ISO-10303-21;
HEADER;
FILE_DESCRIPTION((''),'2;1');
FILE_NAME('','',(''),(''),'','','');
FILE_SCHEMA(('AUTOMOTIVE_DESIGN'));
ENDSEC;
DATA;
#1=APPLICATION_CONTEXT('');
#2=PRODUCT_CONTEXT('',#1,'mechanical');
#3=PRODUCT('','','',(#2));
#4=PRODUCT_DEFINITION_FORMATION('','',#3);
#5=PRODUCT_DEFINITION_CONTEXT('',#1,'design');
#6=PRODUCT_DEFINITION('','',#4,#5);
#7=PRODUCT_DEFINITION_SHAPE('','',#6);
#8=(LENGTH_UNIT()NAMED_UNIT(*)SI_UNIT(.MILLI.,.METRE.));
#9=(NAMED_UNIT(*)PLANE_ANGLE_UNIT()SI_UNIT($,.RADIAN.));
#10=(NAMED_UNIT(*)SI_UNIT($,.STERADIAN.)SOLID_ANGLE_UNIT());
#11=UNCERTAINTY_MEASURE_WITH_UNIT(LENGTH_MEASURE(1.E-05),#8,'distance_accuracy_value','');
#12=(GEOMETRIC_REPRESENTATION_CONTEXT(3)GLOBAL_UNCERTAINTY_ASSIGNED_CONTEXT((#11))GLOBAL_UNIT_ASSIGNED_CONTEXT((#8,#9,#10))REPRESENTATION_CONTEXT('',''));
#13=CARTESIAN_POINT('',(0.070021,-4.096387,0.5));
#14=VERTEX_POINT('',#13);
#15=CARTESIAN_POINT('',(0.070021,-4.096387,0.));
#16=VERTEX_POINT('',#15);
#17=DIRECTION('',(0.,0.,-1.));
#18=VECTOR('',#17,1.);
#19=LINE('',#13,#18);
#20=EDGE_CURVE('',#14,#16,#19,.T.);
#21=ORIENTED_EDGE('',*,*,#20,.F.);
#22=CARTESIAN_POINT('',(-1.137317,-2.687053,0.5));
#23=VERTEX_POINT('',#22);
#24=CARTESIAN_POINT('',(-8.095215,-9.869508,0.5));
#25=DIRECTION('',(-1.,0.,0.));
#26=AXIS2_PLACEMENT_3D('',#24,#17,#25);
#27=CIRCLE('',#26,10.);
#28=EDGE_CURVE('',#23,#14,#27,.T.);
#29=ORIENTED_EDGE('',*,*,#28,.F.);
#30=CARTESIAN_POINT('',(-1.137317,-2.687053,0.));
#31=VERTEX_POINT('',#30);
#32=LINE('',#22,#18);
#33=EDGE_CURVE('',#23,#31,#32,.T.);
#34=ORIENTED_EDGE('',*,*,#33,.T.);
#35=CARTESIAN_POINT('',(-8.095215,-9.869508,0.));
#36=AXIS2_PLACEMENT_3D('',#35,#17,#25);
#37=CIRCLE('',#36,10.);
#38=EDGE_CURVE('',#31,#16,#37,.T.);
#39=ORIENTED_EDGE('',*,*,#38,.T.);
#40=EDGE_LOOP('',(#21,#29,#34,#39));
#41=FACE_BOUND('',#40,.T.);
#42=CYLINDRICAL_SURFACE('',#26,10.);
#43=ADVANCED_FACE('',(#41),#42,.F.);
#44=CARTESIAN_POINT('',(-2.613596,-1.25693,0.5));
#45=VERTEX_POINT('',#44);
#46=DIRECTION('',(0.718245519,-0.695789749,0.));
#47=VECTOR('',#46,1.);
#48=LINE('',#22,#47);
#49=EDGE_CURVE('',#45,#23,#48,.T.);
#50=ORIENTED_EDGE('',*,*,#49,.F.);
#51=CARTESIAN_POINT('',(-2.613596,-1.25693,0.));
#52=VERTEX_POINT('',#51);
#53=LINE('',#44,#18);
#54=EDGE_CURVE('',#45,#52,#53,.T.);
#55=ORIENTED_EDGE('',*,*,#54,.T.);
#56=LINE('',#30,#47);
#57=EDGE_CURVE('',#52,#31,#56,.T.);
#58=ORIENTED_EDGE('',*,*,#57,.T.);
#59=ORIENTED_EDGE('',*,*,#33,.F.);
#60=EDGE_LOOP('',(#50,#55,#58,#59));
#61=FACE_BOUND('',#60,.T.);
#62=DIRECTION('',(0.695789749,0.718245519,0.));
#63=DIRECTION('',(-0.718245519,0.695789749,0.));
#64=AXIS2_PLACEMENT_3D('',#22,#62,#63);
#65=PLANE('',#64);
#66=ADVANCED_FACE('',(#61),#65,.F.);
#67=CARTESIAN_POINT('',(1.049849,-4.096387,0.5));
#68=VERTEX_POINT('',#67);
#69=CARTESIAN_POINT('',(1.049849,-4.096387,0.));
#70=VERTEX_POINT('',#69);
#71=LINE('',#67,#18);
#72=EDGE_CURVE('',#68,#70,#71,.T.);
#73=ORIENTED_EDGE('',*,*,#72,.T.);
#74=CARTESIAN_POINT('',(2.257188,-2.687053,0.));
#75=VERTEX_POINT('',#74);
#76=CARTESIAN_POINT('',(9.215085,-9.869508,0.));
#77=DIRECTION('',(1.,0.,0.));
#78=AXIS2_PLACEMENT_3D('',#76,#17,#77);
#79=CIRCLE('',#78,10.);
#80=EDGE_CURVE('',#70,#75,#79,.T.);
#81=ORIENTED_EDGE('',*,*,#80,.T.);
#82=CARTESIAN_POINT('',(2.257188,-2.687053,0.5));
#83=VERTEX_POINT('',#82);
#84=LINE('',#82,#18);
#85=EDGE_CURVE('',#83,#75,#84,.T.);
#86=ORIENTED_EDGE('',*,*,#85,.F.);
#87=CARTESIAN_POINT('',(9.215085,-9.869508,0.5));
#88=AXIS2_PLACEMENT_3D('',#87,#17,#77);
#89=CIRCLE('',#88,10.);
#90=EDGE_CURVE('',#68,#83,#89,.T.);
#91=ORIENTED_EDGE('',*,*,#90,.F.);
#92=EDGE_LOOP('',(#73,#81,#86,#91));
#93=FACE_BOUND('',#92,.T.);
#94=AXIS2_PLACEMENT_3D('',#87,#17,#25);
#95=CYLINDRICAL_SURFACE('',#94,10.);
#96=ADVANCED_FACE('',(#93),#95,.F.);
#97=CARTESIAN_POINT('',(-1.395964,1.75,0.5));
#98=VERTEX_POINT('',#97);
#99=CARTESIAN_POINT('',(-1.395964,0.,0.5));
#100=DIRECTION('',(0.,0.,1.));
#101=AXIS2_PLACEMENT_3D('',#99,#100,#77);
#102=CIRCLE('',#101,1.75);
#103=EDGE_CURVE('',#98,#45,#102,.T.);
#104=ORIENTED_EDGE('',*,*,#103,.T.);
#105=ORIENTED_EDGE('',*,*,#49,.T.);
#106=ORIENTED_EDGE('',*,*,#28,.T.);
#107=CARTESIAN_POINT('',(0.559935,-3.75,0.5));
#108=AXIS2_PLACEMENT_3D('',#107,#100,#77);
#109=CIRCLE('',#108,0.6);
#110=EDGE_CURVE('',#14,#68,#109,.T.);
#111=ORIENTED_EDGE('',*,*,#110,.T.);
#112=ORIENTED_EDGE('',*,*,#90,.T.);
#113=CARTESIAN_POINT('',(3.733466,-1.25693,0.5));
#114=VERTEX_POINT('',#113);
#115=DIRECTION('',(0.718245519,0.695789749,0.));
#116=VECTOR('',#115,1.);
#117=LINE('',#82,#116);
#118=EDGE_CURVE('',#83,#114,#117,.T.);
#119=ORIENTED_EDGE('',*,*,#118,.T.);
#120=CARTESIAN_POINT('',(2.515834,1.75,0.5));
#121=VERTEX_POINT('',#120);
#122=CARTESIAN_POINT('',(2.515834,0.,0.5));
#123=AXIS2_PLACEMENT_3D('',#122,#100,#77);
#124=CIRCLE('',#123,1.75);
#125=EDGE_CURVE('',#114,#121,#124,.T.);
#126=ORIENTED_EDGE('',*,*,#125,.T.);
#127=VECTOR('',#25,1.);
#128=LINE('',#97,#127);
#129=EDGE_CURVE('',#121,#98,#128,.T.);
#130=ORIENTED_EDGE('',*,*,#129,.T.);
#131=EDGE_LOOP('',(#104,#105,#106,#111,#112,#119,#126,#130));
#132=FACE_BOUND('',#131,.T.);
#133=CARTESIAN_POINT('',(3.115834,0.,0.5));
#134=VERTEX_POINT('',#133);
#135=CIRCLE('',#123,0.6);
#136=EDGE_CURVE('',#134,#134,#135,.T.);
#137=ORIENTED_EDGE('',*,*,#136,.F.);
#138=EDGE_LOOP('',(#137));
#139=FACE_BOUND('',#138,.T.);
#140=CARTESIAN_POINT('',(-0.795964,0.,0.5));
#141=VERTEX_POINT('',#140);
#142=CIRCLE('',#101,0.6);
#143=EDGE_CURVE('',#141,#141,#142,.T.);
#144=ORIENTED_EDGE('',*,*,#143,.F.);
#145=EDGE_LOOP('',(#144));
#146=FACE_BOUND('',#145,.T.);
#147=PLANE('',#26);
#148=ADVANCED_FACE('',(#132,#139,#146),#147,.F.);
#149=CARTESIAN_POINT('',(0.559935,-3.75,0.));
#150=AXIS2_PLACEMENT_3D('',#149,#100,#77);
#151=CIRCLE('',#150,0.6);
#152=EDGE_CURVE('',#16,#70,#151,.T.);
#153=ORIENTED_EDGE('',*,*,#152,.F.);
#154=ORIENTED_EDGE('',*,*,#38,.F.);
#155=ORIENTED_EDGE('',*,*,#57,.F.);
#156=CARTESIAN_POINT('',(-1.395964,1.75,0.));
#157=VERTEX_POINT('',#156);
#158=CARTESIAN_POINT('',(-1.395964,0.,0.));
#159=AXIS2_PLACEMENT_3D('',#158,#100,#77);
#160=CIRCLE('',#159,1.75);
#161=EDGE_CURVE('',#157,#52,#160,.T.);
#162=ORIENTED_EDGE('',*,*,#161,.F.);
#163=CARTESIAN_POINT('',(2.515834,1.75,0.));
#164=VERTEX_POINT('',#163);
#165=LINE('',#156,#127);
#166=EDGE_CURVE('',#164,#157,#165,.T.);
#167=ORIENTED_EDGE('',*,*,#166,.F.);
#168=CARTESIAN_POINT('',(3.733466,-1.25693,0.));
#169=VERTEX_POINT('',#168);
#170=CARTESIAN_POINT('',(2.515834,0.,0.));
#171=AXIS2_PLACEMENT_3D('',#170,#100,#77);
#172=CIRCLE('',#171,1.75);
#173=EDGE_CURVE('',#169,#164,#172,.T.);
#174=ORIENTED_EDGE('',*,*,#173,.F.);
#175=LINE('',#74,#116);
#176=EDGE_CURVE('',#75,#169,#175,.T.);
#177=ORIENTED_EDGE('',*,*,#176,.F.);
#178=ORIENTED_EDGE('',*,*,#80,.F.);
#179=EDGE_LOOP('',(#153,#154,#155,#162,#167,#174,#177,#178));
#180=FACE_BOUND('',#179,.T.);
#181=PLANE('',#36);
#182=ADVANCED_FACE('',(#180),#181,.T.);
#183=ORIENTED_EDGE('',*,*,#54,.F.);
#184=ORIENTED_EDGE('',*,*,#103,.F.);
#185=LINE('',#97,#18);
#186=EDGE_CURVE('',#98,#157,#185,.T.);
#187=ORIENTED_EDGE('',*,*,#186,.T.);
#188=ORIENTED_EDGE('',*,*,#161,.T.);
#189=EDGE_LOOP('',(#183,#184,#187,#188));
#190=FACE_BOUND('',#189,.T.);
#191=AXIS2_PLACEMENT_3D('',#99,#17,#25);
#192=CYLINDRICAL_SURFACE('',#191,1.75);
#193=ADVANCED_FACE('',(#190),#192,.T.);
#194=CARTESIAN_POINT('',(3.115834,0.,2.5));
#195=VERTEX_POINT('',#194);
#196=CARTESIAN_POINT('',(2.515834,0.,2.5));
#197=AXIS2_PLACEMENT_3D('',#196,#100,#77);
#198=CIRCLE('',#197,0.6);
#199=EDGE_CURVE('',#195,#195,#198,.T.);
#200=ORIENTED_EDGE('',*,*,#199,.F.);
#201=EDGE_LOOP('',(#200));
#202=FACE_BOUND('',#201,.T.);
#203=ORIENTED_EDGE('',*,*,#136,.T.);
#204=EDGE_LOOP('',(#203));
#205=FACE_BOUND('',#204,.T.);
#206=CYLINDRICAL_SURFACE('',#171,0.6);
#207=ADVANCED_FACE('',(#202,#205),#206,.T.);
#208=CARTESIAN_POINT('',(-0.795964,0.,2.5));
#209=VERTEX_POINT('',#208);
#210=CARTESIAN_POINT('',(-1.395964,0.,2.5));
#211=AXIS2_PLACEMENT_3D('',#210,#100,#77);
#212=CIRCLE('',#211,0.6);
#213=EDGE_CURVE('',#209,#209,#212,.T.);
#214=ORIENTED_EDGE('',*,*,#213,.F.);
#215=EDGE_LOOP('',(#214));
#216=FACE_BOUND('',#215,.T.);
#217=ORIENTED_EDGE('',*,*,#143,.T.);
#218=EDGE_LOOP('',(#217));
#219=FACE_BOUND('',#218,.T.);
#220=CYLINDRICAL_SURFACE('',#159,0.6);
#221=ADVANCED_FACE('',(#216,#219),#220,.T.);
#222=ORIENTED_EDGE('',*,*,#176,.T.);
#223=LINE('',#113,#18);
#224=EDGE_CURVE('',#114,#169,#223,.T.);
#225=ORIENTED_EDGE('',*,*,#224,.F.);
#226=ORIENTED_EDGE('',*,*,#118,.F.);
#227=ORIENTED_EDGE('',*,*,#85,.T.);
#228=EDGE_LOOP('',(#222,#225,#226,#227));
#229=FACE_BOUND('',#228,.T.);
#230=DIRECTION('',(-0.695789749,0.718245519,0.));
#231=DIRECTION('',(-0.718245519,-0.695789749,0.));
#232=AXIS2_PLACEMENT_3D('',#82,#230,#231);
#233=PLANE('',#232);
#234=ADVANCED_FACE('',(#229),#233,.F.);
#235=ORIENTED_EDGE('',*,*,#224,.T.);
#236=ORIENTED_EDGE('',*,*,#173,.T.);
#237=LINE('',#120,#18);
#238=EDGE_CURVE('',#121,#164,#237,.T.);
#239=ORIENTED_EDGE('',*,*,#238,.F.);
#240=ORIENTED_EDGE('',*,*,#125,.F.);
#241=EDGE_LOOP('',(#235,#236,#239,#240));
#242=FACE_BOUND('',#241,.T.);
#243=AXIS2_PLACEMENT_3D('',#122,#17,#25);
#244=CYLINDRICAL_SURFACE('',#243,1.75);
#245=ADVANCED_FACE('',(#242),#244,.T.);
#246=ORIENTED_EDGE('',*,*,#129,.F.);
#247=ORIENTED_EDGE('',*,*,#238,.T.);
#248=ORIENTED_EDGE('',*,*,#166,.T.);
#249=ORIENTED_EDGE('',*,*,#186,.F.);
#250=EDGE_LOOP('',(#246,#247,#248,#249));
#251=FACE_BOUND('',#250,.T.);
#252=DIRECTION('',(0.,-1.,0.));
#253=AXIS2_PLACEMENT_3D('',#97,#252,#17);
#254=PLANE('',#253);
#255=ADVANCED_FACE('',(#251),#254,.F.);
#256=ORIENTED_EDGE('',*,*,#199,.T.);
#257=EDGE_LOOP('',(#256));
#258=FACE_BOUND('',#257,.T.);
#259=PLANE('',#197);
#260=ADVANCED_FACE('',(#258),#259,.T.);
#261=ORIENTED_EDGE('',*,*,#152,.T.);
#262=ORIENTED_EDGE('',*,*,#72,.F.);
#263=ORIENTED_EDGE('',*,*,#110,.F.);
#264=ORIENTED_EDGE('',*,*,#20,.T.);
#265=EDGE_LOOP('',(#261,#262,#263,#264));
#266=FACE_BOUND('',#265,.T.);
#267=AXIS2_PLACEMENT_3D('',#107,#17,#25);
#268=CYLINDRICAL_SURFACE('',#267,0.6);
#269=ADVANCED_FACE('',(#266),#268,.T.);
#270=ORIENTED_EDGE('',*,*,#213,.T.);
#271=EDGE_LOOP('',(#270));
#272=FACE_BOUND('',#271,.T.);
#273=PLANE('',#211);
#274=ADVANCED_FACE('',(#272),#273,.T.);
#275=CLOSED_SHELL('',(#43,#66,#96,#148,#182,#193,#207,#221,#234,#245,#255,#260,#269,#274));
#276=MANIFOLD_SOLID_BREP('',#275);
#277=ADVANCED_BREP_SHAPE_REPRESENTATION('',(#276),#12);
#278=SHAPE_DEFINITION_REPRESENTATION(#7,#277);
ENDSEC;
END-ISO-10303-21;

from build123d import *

# Parameters (mm, degrees)
SKETCH2_R                = 0.6
BOSS_EXTRUDE1_DEPTH      = 0.5
SKETCH3_R                = 0.6
BOSS_EXTRUDE2_DEPTH      = 2
BOSS_EXTRUDE2_DEPTH_BACK = 0.5


with BuildPart() as part:
    # Sketch2 → Boss-Extrude1 (new body)
    with BuildSketch(Plane.XY):
        with BuildLine():
            Line((-1.395963948, 1.75), (2.515834251, 1.75))
            ThreePointArc((2.515834251, 1.75), (4.137889568, 0.656838298), (3.733466312, -1.256929657))
            Line((3.733466312, -1.256929657), (2.257187702, -2.687052781))
            ThreePointArc((2.257187702, -2.687052781), (1.620755288, -3.363652659), (1.049849305, -4.096387243))
            ThreePointArc((1.049849305, -4.096387243), (0.559935151, -4.35), (0.070020998, -4.096387243))
            ThreePointArc((0.070020998, -4.096387243), (-0.500884985, -3.363652659), (-1.137317399, -2.687052781))
            Line((-1.137317399, -2.687052781), (-2.61359601, -1.256929657))
            ThreePointArc((-2.61359601, -1.256929657), (-3.018019265, 0.656838298), (-1.395963948, 1.75))
        make_face()
        with Locations((-1.395963948, 0)):
            Circle(SKETCH2_R, mode=Mode.SUBTRACT)
        with Locations((2.515834251, 0)):
            Circle(SKETCH2_R, mode=Mode.SUBTRACT)
    extrude(amount=BOSS_EXTRUDE1_DEPTH)

    # Sketch3 → Boss-Extrude2 (add, two sides)
    with BuildSketch(Plane.XY.offset(0.5)) as boss_extrude2_sk:
        with Locations((-1.395963948, 0)):
            Circle(SKETCH3_R)
        with Locations((2.515834251, 0)):
            Circle(SKETCH3_R)
    extrude(amount=BOSS_EXTRUDE2_DEPTH)
    extrude(boss_extrude2_sk.sketch, amount=-BOSS_EXTRUDE2_DEPTH_BACK)


solid = part.part
